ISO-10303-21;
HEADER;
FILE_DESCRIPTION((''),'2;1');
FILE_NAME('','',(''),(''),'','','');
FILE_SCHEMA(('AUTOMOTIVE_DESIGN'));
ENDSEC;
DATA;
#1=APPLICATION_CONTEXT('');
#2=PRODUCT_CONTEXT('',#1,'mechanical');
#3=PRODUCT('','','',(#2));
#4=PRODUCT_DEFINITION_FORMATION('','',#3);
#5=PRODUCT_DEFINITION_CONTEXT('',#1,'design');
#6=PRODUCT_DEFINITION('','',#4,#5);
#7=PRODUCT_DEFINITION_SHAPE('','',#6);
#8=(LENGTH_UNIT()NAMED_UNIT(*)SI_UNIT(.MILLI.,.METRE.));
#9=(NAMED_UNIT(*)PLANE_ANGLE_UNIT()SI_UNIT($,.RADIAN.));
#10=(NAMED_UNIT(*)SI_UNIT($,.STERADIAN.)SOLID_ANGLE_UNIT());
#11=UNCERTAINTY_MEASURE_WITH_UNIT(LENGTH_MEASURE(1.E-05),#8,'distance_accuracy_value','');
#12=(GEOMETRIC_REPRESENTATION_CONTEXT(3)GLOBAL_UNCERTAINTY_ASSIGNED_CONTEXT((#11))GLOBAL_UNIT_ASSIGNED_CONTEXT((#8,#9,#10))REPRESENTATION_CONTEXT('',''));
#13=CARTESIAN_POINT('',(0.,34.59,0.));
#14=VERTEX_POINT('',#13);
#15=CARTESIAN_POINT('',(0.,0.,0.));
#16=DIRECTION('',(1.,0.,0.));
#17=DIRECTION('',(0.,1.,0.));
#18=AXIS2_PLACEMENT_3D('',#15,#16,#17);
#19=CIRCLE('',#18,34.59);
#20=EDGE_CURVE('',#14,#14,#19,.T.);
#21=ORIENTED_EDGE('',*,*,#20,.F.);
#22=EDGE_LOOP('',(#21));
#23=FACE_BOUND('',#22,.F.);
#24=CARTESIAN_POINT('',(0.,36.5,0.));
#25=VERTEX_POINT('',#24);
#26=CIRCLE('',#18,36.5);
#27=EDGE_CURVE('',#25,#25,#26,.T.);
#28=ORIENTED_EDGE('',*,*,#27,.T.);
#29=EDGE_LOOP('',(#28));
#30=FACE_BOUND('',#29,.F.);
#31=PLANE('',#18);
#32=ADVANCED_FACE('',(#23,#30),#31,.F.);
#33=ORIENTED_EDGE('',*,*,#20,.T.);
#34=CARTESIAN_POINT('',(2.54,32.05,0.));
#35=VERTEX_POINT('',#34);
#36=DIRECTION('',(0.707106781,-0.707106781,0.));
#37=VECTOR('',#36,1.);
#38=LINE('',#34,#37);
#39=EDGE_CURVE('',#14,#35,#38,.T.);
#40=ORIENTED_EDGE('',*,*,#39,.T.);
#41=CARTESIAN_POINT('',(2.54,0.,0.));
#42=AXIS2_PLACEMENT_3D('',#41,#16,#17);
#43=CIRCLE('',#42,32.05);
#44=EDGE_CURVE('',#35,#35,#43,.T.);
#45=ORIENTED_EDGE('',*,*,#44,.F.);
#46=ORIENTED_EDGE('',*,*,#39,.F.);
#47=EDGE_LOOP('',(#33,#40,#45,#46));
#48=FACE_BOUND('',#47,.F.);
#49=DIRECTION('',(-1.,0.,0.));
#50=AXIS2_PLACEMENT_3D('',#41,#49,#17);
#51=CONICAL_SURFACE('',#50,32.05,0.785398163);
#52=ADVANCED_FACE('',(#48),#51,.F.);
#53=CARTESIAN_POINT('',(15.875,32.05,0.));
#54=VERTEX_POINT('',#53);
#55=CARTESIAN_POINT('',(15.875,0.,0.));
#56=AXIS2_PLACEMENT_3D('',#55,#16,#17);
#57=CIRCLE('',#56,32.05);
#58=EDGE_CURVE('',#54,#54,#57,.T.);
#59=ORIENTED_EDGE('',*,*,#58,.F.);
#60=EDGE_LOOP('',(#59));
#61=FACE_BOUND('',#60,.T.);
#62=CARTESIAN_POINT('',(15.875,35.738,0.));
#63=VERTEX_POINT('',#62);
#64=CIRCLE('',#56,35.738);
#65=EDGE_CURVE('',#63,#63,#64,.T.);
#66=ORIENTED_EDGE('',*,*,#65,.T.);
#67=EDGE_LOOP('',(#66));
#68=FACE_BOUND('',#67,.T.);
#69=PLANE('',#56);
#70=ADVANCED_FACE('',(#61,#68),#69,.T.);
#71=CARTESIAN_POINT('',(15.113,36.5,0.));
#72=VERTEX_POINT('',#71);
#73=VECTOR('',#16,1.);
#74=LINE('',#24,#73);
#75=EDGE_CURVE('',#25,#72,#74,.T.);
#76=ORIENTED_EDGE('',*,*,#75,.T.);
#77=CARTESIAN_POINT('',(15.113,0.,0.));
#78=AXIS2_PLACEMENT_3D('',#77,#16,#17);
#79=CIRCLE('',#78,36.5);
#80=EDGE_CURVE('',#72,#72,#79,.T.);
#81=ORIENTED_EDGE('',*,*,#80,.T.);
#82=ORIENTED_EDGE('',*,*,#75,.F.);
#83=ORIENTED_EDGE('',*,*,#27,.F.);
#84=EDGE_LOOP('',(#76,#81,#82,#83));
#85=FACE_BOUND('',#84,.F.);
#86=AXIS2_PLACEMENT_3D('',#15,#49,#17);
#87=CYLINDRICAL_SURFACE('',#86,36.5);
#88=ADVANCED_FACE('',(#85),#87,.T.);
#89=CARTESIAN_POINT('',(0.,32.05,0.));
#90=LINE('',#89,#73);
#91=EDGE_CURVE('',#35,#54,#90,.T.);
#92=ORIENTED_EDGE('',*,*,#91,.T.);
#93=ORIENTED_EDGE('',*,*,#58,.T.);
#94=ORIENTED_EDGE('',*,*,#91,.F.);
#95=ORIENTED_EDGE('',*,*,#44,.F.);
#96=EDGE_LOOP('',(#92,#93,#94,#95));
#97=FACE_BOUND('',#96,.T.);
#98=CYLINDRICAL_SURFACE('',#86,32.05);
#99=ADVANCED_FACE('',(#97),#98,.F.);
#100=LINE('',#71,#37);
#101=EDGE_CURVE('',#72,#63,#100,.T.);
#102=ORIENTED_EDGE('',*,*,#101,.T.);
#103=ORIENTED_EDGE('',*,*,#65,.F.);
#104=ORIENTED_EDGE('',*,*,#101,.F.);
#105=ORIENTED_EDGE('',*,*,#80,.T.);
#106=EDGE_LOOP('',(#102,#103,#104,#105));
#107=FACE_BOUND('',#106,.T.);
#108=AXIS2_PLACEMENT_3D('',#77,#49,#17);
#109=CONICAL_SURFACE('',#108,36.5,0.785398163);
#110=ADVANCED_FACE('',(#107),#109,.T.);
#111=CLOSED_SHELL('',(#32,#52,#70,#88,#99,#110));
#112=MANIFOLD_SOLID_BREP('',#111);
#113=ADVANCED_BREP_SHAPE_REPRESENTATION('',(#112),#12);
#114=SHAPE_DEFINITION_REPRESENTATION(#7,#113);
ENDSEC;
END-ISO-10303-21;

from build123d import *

# Parameters (mm, degrees)
F0_R     = 36.5
F0_R_2   = 32.05
F1_DEPTH = 15.875
F2_SIZE  = 0.762
F3_SIZE  = 2.54


with BuildPart() as f1:
    # F0 (on Right) → F1 (new body)
    with BuildSketch(Plane.YZ):
        Circle(F0_R)
        Circle(F0_R_2, mode=Mode.SUBTRACT)
    extrude(amount=F1_DEPTH)

    # F2
    f2_edges = [f1.edges().sort_by_distance(p)[0] for p in [
        (15.875, -36.5, 0),
    ]]
    chamfer(f2_edges, length=F2_SIZE)

    # F3
    f3_edges = [f1.edges().sort_by_distance(p)[0] for p in [
        (0, -32.05, 0),
    ]]
    chamfer(f3_edges, length=F3_SIZE)


solid = f1.part
